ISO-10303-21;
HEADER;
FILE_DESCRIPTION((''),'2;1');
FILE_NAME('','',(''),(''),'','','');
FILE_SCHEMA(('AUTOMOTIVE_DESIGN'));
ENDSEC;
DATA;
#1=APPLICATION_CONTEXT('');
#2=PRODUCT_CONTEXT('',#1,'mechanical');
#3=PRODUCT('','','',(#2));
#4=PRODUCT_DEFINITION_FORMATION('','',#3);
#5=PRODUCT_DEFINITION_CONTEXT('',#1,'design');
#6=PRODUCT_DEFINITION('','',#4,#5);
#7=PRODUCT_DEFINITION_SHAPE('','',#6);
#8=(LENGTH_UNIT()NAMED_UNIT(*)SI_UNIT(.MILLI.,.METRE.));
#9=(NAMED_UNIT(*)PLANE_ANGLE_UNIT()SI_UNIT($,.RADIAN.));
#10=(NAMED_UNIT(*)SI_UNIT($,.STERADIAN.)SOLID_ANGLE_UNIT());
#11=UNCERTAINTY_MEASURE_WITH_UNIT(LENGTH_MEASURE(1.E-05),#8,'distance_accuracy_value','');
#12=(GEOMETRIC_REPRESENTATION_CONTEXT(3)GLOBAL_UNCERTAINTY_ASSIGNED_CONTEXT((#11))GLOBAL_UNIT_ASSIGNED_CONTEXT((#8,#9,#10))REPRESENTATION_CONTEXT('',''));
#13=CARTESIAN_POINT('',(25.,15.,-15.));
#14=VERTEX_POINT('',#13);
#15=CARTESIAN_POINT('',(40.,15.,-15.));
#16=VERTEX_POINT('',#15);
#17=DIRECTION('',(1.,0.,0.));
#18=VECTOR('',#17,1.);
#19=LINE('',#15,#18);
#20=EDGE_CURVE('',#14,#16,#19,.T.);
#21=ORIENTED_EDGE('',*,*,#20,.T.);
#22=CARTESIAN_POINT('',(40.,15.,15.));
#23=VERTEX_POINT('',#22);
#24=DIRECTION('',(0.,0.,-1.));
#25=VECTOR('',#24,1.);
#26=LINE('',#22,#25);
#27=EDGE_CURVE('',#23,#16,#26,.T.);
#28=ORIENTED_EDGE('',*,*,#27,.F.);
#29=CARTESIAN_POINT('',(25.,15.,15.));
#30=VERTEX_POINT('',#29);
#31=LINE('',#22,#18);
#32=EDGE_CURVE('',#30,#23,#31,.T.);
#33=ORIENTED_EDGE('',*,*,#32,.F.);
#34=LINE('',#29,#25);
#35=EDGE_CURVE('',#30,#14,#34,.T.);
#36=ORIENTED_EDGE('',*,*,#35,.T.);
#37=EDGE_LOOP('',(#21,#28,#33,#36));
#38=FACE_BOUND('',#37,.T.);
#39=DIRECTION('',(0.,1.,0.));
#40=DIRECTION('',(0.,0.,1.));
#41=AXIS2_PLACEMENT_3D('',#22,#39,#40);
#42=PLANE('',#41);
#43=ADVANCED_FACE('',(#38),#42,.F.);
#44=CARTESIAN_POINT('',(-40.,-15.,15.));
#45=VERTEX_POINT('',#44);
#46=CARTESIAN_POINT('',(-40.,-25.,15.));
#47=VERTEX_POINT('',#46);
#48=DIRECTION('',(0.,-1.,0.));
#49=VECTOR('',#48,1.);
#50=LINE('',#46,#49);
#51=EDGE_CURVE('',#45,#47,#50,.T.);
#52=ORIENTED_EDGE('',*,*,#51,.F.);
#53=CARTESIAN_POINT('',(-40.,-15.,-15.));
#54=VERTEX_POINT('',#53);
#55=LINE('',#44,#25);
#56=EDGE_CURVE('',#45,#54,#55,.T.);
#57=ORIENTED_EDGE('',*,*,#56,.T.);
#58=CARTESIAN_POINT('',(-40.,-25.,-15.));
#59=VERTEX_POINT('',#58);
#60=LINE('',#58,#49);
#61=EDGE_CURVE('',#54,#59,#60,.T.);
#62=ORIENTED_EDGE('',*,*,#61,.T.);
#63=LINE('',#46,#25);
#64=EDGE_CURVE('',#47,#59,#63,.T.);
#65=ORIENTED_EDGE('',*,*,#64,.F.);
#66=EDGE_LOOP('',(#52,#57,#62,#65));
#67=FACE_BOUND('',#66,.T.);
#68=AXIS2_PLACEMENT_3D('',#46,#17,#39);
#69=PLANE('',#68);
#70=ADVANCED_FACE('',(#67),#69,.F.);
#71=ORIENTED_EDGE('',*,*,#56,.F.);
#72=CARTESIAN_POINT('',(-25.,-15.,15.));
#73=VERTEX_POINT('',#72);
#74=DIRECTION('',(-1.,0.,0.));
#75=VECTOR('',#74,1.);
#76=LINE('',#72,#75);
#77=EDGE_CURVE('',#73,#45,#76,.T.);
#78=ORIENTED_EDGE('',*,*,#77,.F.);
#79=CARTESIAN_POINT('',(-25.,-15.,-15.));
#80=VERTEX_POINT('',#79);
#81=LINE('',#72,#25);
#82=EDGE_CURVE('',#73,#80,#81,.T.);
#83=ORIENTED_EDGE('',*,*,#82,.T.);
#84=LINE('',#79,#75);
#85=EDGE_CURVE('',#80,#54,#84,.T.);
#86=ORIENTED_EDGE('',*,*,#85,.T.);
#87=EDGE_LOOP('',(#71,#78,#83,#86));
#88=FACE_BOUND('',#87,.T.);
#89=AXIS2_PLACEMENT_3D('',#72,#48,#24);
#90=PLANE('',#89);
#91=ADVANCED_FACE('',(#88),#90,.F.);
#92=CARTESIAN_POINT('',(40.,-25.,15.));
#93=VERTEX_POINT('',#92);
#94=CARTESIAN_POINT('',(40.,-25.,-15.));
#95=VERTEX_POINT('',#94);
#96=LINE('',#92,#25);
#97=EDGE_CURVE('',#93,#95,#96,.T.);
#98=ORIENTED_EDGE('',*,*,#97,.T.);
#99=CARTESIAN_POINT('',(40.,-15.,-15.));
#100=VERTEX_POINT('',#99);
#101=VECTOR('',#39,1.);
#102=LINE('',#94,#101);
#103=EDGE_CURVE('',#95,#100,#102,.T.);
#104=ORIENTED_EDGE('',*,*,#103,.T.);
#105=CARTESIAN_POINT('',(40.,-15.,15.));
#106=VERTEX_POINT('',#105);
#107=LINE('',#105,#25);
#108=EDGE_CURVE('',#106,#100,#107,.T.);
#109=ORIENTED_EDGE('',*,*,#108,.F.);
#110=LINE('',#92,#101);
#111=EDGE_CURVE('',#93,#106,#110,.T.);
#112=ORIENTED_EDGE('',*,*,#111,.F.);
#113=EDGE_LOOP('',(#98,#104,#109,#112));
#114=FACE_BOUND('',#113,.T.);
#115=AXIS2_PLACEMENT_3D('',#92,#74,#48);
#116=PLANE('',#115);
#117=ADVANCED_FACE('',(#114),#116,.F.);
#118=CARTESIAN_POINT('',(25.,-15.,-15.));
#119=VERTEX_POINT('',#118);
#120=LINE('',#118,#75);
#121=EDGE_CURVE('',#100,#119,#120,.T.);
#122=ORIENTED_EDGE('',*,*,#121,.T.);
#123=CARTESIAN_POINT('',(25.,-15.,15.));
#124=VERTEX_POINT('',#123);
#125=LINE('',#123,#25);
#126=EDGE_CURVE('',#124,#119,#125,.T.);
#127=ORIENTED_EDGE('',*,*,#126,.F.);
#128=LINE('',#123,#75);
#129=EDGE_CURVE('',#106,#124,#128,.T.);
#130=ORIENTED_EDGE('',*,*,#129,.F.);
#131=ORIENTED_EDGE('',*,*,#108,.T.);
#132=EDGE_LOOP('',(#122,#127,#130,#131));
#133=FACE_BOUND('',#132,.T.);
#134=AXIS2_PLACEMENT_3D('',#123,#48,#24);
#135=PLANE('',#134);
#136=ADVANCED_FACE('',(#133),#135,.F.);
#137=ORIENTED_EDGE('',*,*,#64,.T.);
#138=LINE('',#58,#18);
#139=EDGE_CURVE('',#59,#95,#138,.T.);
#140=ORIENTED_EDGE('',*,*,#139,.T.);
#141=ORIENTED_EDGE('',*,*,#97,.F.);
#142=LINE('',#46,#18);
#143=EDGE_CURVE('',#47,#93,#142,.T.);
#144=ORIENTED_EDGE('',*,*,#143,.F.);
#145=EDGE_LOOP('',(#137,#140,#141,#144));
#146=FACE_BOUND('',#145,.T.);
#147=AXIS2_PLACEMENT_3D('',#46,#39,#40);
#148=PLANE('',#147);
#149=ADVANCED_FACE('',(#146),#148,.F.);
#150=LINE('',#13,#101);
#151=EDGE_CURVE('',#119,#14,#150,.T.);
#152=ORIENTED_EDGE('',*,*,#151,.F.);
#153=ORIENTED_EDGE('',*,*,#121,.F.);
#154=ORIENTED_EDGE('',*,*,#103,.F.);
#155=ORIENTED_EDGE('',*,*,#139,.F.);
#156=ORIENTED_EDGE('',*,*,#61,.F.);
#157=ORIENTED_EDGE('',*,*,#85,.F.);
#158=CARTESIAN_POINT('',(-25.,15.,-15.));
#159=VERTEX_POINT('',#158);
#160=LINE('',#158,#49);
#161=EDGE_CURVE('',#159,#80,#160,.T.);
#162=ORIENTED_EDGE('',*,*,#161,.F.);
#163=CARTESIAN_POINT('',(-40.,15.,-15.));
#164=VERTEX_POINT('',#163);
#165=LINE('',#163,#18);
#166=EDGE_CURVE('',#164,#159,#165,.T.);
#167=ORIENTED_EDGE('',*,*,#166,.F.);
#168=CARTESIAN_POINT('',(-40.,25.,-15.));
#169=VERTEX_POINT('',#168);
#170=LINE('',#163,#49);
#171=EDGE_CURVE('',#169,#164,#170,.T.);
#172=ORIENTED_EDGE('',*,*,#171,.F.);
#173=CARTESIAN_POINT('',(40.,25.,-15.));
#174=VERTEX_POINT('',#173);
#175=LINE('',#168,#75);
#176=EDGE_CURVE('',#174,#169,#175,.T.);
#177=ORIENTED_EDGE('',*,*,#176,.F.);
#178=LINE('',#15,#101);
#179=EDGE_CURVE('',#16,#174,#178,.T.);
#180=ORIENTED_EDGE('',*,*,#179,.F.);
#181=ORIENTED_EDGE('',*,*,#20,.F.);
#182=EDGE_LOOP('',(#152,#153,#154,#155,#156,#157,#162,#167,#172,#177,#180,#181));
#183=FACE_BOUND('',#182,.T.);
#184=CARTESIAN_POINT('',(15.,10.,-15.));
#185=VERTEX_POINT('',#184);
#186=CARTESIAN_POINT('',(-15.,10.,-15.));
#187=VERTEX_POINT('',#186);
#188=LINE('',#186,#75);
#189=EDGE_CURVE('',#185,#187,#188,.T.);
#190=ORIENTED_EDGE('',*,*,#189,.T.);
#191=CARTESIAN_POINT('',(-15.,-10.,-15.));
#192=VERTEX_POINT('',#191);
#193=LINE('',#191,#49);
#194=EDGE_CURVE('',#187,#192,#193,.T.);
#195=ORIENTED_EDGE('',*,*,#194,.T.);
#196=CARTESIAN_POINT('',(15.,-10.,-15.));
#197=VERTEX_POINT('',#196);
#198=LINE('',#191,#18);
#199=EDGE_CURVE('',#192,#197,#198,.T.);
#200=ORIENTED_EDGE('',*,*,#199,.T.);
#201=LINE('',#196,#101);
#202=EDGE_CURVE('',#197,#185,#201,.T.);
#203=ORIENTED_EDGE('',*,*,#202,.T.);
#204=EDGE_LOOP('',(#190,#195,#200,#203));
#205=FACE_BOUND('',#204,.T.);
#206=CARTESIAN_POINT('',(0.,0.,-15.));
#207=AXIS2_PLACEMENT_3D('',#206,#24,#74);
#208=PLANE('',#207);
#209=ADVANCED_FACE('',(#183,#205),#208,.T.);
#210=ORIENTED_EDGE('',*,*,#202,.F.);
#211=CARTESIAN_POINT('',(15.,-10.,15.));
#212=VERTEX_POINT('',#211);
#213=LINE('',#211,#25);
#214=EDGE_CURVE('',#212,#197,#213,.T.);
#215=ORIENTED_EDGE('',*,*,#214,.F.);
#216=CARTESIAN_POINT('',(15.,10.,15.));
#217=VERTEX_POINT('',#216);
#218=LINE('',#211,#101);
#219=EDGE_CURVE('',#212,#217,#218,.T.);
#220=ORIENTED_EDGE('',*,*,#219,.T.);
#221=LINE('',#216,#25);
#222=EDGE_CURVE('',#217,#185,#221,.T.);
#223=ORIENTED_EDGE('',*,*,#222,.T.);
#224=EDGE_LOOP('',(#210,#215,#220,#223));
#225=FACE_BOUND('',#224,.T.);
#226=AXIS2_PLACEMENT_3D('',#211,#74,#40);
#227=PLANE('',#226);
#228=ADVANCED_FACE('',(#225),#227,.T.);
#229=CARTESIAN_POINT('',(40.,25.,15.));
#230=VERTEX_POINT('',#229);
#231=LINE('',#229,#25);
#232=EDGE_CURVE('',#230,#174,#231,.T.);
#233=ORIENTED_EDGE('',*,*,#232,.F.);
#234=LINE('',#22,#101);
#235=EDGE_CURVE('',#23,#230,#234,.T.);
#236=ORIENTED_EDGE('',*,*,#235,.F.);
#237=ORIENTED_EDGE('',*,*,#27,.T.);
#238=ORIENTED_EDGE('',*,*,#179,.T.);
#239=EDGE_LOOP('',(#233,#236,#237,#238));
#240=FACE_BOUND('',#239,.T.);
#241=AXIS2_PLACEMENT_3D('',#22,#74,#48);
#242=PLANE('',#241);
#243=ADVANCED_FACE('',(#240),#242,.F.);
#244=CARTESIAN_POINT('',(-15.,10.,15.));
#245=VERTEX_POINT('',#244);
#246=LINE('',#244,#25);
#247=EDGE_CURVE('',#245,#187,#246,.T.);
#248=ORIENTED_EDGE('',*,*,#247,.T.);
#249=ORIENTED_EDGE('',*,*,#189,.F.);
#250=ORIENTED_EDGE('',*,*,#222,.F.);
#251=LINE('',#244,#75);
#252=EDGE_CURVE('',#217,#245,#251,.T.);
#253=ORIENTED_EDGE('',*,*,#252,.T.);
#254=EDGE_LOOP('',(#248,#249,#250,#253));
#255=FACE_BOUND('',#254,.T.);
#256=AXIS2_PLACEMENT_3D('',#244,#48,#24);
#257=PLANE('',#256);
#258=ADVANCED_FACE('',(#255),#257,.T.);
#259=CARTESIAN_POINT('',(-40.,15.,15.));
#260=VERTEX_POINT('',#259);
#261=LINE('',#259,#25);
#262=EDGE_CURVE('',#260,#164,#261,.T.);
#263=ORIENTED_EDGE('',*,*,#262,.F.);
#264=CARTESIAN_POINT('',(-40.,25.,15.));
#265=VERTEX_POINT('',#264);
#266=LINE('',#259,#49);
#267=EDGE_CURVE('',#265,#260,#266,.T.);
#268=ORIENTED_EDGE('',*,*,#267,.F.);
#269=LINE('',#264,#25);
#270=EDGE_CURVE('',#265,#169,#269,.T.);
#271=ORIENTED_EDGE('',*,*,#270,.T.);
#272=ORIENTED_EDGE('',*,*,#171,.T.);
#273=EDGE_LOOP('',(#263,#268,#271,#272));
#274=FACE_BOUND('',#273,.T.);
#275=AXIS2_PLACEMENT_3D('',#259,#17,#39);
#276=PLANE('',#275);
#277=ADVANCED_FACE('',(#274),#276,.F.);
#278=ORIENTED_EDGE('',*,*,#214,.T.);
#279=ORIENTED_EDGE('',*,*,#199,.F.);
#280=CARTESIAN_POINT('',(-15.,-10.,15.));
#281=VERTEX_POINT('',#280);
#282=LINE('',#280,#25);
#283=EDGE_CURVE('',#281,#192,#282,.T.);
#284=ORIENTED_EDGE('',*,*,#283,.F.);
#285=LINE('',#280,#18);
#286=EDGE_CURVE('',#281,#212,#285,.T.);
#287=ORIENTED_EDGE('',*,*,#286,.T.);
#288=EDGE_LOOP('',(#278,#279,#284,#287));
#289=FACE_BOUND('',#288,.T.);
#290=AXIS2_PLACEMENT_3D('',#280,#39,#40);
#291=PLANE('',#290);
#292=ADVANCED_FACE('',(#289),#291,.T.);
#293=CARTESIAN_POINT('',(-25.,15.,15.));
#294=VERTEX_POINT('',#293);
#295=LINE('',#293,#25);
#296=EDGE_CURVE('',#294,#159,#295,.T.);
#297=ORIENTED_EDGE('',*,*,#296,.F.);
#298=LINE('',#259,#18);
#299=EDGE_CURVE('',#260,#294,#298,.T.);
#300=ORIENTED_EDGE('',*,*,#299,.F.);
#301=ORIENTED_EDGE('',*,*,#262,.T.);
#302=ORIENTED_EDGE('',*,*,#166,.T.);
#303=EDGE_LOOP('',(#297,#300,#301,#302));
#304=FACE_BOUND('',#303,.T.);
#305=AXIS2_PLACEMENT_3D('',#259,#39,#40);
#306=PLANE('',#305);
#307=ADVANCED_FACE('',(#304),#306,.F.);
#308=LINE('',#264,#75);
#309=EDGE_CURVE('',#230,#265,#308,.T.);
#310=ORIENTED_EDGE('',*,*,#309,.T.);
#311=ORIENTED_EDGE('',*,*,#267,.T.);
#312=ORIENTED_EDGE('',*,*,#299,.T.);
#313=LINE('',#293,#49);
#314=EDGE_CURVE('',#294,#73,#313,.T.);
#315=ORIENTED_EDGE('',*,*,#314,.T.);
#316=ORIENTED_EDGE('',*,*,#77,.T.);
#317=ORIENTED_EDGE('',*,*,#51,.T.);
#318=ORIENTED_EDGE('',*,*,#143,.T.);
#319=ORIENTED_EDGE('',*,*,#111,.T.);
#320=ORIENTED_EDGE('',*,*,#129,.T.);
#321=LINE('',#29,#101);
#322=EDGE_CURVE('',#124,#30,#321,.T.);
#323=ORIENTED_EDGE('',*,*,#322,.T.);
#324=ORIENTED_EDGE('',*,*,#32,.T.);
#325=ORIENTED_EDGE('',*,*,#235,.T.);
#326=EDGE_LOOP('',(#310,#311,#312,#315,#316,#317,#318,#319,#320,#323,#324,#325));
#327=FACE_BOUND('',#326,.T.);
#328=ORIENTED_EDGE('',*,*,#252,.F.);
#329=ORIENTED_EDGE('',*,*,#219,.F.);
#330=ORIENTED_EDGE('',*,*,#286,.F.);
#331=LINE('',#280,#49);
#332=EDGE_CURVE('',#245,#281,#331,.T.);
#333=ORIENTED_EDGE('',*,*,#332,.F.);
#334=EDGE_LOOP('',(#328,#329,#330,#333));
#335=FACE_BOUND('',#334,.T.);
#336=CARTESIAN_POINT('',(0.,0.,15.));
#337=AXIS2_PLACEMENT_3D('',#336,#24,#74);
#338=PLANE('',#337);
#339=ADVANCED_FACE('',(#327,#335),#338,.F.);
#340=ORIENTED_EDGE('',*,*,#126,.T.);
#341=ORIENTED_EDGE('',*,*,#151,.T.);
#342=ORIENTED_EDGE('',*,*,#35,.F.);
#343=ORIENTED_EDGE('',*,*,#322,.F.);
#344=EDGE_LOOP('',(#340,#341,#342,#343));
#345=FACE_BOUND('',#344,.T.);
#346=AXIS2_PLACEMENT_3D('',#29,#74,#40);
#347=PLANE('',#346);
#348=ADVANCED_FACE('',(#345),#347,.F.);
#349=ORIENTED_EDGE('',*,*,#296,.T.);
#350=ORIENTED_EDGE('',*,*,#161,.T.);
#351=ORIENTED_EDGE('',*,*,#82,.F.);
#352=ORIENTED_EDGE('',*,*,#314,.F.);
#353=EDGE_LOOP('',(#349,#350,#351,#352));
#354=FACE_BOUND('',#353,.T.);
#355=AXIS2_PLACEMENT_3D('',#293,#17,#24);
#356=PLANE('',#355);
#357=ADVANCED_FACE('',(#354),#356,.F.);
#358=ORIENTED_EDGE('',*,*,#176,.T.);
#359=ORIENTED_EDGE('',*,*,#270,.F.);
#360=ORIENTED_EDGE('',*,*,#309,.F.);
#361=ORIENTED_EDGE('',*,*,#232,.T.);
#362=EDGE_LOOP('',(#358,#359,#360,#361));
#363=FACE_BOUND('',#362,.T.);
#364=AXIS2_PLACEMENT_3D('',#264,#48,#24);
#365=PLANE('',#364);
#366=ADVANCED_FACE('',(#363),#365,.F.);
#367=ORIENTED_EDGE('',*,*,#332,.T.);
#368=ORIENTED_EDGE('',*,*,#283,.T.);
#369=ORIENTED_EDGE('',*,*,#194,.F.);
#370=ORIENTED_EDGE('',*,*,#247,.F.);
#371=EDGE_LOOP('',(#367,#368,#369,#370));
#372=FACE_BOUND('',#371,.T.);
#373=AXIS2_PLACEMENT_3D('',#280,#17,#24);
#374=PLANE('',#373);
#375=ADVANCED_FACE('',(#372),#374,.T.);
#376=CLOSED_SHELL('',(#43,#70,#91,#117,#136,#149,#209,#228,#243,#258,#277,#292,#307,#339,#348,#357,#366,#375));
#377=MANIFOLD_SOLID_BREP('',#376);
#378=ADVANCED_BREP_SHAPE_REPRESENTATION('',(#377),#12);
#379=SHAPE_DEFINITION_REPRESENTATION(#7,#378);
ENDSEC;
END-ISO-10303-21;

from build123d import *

# Parameters (mm, degrees)
SKETCH1_W           = 30
SKETCH1_H           = 20
BOSS_EXTRUDE1_DEPTH = 15


with BuildPart() as part:
    # Sketch1 → Boss-Extrude1 (new, symmetric)
    with BuildSketch(Plane.XY):
        Polygon((-40, 15), (-25, 15), (-25, -15), (-40, -15), (-40, -25), (40, -25), (40, -15), (25, -15), (25, 15), (40, 15), (40, 25), (-40, 25), align=None)
        Rectangle(SKETCH1_W, SKETCH1_H, mode=Mode.SUBTRACT)
    extrude(amount=BOSS_EXTRUDE1_DEPTH, both=True)


solid = part.part
